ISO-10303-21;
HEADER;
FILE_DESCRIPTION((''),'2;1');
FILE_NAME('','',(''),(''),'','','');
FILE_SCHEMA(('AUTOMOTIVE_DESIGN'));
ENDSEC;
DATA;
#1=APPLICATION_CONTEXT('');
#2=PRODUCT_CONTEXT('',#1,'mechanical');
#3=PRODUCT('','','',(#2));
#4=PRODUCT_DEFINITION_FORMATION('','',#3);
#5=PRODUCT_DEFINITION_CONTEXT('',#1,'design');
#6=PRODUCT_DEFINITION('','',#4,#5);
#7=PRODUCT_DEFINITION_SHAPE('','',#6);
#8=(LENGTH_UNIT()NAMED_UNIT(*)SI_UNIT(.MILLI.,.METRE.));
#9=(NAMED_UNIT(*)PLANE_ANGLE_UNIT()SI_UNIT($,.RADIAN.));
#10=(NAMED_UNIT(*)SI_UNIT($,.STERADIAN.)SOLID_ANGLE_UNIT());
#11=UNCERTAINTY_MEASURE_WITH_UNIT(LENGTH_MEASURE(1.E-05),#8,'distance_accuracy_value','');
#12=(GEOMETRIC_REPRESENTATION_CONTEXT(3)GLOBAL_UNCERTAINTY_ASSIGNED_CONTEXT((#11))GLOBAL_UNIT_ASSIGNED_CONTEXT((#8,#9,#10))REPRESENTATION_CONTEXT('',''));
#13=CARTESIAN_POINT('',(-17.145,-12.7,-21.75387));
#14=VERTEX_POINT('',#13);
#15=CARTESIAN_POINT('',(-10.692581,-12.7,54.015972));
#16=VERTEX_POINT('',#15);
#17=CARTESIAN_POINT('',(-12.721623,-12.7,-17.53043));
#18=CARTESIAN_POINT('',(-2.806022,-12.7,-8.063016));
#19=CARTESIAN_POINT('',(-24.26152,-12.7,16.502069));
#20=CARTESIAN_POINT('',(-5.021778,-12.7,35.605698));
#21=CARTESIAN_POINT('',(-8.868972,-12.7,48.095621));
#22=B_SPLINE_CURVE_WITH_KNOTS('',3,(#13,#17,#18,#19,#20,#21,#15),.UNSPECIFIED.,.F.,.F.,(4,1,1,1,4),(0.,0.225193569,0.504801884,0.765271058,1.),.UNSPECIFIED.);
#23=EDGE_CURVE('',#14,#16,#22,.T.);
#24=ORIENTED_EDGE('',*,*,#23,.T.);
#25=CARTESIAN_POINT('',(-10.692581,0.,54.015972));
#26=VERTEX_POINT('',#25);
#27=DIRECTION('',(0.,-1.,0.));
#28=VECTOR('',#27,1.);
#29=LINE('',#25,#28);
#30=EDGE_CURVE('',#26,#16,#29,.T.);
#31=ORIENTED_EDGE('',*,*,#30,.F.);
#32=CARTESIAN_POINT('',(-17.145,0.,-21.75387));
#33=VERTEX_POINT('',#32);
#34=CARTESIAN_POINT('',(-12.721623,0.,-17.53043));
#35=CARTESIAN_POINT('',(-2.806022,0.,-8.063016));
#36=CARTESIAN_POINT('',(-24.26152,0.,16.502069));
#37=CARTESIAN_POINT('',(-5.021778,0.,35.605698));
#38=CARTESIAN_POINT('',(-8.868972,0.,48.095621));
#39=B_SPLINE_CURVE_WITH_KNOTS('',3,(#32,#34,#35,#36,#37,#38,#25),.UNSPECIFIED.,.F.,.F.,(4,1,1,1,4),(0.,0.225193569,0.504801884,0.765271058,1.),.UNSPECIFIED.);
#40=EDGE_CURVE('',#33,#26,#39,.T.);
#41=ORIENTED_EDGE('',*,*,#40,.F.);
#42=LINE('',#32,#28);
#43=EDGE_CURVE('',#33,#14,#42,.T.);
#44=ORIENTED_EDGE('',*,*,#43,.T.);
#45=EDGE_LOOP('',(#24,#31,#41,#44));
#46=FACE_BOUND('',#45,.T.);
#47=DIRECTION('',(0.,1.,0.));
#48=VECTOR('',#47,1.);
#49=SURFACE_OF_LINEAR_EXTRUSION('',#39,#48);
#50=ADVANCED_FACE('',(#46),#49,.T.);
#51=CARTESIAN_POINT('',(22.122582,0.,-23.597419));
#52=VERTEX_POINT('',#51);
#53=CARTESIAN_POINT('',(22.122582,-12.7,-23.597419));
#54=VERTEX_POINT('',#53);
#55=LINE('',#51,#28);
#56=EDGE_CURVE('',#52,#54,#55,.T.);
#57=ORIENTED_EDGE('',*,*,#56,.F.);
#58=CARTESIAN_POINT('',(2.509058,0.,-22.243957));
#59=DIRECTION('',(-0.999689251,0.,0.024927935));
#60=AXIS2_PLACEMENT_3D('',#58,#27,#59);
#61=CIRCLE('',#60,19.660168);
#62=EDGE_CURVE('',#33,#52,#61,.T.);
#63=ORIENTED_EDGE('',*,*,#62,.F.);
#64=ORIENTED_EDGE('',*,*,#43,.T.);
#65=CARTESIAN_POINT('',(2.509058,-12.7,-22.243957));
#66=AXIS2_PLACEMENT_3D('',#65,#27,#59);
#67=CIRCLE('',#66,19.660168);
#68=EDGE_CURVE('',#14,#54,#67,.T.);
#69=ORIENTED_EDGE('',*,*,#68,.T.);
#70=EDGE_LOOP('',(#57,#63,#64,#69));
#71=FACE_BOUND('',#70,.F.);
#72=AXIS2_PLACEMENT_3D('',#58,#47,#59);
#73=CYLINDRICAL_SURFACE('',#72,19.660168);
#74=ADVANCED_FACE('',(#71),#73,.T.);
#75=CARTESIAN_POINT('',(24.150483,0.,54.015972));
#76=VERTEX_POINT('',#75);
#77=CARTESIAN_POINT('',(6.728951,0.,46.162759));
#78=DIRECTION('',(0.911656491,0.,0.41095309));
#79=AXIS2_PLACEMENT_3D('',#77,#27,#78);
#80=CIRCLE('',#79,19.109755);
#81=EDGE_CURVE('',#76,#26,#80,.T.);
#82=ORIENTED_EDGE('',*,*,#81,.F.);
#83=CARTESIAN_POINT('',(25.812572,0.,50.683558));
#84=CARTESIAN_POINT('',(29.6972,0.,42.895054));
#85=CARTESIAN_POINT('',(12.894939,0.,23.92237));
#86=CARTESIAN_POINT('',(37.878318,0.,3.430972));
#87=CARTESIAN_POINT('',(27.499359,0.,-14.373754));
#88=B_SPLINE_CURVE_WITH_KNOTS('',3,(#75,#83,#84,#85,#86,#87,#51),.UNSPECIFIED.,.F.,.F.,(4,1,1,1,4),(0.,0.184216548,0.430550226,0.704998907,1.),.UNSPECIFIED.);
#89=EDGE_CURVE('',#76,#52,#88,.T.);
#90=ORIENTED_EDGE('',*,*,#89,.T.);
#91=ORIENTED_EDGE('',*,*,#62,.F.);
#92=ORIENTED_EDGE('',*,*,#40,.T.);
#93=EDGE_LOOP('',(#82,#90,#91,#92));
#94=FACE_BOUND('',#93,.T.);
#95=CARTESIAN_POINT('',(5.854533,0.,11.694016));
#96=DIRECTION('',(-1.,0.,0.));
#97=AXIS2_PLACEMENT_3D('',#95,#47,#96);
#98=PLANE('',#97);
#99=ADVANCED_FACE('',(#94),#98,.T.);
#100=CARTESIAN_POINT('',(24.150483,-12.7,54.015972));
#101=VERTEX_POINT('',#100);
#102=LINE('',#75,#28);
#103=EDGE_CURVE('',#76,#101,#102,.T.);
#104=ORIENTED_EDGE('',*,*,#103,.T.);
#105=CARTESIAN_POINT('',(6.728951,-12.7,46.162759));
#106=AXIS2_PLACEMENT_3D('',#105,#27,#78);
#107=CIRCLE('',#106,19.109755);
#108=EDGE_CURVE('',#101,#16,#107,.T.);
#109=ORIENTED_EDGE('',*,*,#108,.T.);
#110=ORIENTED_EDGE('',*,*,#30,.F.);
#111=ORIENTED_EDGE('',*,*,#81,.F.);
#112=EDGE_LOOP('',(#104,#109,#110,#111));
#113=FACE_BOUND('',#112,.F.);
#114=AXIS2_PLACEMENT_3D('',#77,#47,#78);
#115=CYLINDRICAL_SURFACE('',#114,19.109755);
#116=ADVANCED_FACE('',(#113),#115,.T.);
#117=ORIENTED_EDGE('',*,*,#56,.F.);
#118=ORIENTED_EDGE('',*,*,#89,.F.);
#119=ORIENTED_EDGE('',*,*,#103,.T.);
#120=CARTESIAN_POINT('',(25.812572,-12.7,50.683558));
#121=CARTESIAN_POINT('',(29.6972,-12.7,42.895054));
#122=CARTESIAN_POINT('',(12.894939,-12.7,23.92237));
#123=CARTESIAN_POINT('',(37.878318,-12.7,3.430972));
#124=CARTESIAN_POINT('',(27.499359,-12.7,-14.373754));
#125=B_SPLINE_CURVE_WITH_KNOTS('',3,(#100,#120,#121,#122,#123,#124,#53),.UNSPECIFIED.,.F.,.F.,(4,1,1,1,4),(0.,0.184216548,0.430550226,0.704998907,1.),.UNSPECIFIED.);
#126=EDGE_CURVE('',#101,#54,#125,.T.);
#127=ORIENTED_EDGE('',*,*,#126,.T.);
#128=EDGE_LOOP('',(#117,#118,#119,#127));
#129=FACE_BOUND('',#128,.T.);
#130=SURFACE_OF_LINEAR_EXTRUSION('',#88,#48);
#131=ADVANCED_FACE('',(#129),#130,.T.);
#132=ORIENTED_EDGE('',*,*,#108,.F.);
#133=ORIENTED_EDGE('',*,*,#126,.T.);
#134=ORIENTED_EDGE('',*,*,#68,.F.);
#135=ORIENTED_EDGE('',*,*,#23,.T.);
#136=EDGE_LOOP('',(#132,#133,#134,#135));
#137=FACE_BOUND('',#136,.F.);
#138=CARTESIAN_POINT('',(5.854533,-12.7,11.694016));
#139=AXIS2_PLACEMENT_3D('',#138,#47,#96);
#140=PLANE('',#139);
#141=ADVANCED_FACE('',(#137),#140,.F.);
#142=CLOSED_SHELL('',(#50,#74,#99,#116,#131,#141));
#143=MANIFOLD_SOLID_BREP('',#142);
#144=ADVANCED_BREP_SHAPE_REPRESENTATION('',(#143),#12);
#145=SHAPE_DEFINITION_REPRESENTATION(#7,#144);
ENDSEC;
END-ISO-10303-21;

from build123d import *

# Parameters (mm, degrees)
F1_DEPTH = 12.7


with BuildPart() as f1:
    # F0 (on Front) → F1 (new body)
    with BuildSketch(Plane.XZ):
        with BuildLine():
            add(Edge.make_bspline(
                [(-17.1450003982, -21.7538699508), (-12.7216225008, -17.5304296248), (-2.8060218773, -8.0630161453), (-24.2615200167, 16.5020686979), (-5.0217780107, 35.6056984223), (-8.8689716855, 48.0956212912), (-10.6925806031, 54.0159717202)],
                knots=[0, 0, 0, 0, 0.2251935693, 0.5048018839, 0.7652710581, 1, 1, 1, 1], degree=3))
            ThreePointArc((-17.1450003982, -21.7538699508), (1.5870605944, -41.8824939207), (22.1225824207, -23.5974192619))
            add(Edge.make_bspline(
                [(24.1504833102, 54.0159717202), (25.8125721153, 50.6835583381), (29.6971998382, 42.8950542772), (12.894939416, 23.9223700535), (37.8783178698, 3.430972189), (27.4993590046, -14.373754475), (22.1225824207, -23.5974192619)],
                knots=[0, 0, 0, 0, 0.1842165483, 0.4305502258, 0.7049989068, 1, 1, 1, 1], degree=3))
            ThreePointArc((24.1504833102, 54.0159717202), (6.7289513536, 65.2725137008), (-10.6925806031, 54.0159717202))
        make_face()
    extrude(amount=F1_DEPTH)


solid = f1.part
